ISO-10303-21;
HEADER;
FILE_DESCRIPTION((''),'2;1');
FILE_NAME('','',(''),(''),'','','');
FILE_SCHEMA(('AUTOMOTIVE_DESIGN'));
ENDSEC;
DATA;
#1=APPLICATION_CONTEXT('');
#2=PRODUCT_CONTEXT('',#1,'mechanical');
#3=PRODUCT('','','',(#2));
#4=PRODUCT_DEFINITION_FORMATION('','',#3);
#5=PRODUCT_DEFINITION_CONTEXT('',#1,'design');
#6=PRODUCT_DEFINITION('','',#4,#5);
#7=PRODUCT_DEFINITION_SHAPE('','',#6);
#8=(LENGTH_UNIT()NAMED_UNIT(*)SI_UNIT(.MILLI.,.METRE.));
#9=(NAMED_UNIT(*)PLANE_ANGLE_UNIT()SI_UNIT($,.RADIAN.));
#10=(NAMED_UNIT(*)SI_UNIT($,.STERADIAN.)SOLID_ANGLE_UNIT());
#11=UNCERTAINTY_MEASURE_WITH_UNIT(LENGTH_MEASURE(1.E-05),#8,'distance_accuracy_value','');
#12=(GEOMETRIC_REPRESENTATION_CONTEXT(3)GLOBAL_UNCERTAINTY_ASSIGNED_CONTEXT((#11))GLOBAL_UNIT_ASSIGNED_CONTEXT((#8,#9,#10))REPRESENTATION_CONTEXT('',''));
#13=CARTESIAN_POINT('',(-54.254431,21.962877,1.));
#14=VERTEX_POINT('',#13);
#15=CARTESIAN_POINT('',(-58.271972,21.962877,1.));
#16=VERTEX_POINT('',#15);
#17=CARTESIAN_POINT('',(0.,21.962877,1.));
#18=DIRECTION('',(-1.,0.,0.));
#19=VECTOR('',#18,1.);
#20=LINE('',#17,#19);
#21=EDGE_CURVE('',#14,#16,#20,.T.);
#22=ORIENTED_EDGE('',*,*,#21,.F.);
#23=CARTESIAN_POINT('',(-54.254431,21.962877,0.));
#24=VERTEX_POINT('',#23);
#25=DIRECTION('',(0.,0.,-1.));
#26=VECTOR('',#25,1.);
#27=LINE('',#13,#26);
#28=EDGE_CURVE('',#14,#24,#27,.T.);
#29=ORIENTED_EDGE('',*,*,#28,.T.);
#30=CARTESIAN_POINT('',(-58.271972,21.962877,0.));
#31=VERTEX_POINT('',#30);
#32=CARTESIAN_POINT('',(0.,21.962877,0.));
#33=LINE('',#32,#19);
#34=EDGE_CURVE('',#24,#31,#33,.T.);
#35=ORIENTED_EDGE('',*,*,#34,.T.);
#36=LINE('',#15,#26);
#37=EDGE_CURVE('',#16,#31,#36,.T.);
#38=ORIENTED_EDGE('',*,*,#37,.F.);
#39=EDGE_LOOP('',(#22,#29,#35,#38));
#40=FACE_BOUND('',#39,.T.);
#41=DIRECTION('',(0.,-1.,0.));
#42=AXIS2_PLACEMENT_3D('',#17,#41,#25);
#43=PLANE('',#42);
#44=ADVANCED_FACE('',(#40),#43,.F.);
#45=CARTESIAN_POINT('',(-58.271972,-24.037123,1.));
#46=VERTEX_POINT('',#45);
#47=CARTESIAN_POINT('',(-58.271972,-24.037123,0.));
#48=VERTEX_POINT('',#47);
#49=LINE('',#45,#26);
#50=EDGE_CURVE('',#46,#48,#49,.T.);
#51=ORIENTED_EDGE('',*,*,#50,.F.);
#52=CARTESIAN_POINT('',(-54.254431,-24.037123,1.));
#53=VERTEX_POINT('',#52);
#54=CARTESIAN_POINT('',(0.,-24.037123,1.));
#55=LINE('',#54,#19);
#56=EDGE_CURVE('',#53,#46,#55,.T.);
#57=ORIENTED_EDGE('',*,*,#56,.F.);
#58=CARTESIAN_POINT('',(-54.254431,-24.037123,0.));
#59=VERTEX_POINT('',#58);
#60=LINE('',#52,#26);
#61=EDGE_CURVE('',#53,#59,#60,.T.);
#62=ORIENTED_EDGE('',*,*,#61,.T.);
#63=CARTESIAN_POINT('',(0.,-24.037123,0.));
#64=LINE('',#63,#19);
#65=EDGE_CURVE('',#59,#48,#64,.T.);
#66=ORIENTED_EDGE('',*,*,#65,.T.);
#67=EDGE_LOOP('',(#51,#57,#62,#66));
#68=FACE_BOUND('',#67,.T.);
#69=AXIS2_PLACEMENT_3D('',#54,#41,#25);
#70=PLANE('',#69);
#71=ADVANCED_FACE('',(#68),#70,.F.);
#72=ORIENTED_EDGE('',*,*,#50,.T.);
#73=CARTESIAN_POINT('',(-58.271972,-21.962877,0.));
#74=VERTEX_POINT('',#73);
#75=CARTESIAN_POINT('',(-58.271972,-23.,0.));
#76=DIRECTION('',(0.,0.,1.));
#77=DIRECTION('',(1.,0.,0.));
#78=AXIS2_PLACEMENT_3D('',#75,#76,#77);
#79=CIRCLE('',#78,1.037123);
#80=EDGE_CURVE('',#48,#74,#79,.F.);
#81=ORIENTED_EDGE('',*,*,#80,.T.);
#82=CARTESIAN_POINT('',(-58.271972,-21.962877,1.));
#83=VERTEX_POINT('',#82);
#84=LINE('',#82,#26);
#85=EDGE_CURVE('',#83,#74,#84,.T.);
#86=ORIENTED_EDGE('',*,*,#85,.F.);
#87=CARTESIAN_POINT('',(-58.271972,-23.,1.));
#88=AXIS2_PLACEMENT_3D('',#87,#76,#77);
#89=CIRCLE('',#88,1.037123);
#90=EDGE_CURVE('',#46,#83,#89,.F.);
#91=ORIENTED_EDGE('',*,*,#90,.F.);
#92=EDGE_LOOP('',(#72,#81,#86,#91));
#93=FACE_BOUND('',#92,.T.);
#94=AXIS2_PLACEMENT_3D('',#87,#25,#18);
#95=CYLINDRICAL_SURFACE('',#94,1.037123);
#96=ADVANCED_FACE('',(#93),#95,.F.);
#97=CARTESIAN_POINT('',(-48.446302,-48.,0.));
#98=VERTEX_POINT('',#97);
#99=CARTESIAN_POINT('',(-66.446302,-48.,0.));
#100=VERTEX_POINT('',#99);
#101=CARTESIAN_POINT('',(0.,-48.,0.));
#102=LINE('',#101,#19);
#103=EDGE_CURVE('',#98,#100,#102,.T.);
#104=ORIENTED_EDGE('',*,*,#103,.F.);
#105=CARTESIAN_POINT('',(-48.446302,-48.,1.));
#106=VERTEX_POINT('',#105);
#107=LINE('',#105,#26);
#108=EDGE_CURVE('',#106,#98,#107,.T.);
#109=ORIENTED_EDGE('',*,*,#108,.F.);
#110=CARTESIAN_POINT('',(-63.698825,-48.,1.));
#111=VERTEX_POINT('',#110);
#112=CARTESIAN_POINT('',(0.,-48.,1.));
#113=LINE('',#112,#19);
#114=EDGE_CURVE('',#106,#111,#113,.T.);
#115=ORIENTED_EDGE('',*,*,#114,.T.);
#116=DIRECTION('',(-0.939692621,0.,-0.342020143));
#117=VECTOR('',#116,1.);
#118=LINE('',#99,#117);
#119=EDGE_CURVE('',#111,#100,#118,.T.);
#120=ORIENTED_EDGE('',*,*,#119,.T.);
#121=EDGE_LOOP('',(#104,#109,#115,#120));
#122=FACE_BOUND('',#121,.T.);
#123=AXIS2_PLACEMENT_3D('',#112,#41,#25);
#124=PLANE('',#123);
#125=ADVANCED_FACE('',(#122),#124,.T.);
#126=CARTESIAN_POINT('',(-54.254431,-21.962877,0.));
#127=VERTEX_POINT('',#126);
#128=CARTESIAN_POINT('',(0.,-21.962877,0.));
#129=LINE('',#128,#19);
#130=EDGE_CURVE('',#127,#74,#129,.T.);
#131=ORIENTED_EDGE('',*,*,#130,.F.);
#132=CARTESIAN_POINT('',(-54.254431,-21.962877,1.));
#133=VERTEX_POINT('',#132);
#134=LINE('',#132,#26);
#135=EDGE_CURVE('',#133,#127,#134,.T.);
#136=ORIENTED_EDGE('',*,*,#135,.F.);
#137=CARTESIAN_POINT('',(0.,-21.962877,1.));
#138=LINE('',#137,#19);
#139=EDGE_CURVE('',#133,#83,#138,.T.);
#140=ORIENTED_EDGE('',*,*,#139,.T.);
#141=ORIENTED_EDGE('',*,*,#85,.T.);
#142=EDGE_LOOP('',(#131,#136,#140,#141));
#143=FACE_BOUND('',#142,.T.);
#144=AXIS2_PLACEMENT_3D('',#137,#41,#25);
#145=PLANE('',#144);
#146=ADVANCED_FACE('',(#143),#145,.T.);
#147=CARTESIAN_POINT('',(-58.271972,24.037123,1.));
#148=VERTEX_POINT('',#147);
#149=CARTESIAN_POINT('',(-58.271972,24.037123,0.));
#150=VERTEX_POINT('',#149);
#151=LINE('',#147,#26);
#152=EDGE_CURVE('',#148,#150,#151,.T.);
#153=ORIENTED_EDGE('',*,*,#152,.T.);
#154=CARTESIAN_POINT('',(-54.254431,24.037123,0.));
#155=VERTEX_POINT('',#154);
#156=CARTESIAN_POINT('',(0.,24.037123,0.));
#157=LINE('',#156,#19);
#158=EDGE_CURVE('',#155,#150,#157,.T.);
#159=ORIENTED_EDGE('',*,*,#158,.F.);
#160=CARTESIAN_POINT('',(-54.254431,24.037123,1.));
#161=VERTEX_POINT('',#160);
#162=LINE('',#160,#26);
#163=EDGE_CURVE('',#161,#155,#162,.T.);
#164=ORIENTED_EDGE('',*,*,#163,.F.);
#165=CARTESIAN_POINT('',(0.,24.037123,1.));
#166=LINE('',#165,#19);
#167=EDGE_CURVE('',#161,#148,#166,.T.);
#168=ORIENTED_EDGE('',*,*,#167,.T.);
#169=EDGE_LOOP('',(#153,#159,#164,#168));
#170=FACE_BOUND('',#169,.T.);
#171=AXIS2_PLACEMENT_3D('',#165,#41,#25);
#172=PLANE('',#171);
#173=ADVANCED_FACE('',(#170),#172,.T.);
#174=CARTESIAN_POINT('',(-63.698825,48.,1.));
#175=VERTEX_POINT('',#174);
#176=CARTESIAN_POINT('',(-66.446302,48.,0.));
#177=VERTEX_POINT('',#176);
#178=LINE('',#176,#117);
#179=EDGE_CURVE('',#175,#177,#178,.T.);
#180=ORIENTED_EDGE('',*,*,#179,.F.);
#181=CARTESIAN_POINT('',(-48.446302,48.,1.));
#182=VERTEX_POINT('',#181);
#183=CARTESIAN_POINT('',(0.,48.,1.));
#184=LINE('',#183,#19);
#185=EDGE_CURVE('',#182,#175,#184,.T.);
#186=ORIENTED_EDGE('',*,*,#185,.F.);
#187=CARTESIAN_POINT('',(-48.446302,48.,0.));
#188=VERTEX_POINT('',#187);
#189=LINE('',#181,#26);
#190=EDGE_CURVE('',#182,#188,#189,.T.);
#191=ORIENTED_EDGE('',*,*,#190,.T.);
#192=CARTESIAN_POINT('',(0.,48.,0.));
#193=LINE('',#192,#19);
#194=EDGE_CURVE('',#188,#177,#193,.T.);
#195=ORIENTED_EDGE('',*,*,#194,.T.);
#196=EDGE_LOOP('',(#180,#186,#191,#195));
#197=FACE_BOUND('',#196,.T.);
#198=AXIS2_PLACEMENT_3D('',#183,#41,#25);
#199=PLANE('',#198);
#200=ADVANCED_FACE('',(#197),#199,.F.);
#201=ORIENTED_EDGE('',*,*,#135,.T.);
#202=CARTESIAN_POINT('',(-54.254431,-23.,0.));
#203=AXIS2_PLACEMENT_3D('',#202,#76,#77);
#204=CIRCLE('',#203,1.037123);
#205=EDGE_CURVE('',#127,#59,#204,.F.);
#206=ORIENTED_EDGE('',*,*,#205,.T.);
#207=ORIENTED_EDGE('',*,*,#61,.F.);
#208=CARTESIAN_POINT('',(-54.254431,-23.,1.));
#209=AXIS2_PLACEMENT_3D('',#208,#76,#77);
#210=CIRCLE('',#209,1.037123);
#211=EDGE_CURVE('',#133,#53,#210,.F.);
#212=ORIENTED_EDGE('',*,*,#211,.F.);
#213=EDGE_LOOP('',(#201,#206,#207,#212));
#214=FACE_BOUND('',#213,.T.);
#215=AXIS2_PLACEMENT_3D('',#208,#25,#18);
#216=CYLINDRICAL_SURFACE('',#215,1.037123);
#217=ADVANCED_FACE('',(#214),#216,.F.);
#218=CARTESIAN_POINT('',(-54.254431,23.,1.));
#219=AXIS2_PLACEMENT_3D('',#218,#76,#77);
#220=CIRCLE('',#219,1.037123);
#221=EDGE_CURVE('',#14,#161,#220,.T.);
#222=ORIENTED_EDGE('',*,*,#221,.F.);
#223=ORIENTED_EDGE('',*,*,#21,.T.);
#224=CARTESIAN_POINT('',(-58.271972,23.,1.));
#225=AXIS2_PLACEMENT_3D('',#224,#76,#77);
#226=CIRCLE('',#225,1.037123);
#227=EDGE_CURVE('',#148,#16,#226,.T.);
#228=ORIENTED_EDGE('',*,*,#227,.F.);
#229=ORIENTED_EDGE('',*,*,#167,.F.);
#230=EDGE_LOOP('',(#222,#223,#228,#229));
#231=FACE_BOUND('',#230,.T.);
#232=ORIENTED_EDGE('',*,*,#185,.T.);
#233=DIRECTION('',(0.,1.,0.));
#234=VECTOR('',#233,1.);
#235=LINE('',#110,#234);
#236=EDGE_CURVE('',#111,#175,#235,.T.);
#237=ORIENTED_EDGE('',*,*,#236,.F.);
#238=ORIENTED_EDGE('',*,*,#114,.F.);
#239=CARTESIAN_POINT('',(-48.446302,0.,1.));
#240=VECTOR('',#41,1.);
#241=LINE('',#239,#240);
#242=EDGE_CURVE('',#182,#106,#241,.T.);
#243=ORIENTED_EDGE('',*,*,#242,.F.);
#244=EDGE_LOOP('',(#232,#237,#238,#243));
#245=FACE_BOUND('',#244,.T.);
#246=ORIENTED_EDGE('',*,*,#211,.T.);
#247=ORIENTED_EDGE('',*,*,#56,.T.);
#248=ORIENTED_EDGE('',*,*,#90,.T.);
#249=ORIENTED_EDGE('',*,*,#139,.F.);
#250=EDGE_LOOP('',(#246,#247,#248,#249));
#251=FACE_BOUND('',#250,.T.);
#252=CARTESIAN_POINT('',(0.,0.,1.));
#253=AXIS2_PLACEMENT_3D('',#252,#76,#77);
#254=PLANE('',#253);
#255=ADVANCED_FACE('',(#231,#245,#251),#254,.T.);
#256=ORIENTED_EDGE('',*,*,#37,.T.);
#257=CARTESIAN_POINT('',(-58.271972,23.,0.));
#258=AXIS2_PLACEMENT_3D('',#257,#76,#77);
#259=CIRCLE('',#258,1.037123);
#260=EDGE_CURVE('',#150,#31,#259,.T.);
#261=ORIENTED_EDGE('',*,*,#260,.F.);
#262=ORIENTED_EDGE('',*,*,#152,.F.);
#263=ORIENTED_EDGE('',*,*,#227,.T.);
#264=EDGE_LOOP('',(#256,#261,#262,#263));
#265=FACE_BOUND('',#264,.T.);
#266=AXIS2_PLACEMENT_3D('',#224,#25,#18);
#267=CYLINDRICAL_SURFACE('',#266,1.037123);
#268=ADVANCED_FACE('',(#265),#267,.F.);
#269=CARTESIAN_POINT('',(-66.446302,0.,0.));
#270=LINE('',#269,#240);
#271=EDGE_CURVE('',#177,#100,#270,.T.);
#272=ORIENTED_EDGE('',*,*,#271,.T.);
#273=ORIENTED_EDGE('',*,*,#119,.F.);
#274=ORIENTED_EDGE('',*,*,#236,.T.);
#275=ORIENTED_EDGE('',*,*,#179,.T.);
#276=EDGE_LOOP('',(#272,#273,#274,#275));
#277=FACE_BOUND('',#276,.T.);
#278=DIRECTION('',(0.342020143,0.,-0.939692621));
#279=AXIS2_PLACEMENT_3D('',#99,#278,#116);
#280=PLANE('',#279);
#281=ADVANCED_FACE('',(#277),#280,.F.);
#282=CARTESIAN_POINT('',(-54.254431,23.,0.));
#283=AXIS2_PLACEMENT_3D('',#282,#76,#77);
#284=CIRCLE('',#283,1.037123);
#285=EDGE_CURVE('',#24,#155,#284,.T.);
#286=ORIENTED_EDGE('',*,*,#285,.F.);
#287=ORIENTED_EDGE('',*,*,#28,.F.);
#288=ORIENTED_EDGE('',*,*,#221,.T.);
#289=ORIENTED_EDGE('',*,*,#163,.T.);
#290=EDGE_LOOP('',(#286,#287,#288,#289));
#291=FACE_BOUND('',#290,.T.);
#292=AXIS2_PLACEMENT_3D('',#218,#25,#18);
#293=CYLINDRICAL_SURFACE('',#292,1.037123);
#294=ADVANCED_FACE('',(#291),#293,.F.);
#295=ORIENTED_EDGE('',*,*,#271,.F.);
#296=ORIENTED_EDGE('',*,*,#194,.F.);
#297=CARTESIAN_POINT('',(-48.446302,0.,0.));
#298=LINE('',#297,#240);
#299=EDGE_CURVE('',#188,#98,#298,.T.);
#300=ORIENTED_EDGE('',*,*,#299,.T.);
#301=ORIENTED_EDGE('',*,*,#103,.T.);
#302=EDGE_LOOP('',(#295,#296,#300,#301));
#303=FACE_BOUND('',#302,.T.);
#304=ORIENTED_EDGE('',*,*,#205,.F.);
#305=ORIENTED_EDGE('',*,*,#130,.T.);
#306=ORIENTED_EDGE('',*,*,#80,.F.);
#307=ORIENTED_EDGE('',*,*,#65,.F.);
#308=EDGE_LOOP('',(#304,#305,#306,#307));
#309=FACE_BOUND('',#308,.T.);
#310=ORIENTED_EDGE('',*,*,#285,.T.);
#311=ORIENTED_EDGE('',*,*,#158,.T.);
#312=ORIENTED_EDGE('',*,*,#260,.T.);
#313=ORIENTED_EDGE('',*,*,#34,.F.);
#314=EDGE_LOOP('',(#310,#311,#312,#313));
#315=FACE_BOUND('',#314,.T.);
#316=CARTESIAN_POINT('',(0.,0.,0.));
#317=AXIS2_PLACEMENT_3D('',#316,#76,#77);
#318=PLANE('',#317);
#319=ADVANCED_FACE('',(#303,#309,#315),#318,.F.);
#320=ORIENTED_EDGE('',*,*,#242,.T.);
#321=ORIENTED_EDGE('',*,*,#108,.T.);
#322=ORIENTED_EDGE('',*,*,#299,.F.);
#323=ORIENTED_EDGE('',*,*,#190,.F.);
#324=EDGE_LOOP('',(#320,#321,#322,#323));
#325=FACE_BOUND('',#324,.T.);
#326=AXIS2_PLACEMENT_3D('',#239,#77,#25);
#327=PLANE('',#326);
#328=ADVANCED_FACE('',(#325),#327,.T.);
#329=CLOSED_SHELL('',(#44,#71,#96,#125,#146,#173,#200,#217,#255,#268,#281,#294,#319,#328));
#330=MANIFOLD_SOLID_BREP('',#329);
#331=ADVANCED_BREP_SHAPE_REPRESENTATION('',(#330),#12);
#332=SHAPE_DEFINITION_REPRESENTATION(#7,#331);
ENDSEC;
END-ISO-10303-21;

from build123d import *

# Parameters (mm, degrees)
SKETCH_1_W          = 18
SKETCH_1_H          = 96
EXTRUDE_1_DEPTH     = 1
CUT_EXTRUDE_1_DEPTH = 117.756631965


with BuildPart() as part:
    # Эскиз1 → Бобышка-Вытянуть1 (new body)
    with BuildSketch(Plane.XY):
        with Locations((-57.446302439, 0)):
            Rectangle(SKETCH_1_W, SKETCH_1_H)
        with BuildLine():
            Line((-54.254431019, 21.962877229), (-58.271972276, 21.962877229))
            ThreePointArc((-58.271972276, 21.962877229), (-59.309095047, 23), (-58.271972276, 24.037122771))
            Line((-58.271972276, 24.037122771), (-54.254431019, 24.037122771))
            ThreePointArc((-54.254431019, 24.037122771), (-53.217308248, 23), (-54.254431019, 21.962877229))
        make_face(mode=Mode.SUBTRACT)
        with BuildLine():
            Line((-54.254431019, -21.962877229), (-58.271972276, -21.962877229))
            ThreePointArc((-58.271972276, -21.962877229), (-59.309095047, -23), (-58.271972276, -24.037122771))
            Line((-58.271972276, -24.037122771), (-54.254431019, -24.037122771))
            ThreePointArc((-54.254431019, -24.037122771), (-53.217308248, -23), (-54.254431019, -21.962877229))
        make_face(mode=Mode.SUBTRACT)
    extrude(amount=EXTRUDE_1_DEPTH)

    # Эскиз2 → Вырез-Вытянуть1 (cut, through all)
    with BuildSketch(Plane(origin=(0, 48, 0), x_dir=(1, 0, 0), z_dir=(0, 1, 0))):
        Polygon((-66.446302439, 0), (-63.698825019, -1), (-66.446302439, -1), align=None)
    extrude(amount=-CUT_EXTRUDE_1_DEPTH, mode=Mode.SUBTRACT)


solid = part.part
